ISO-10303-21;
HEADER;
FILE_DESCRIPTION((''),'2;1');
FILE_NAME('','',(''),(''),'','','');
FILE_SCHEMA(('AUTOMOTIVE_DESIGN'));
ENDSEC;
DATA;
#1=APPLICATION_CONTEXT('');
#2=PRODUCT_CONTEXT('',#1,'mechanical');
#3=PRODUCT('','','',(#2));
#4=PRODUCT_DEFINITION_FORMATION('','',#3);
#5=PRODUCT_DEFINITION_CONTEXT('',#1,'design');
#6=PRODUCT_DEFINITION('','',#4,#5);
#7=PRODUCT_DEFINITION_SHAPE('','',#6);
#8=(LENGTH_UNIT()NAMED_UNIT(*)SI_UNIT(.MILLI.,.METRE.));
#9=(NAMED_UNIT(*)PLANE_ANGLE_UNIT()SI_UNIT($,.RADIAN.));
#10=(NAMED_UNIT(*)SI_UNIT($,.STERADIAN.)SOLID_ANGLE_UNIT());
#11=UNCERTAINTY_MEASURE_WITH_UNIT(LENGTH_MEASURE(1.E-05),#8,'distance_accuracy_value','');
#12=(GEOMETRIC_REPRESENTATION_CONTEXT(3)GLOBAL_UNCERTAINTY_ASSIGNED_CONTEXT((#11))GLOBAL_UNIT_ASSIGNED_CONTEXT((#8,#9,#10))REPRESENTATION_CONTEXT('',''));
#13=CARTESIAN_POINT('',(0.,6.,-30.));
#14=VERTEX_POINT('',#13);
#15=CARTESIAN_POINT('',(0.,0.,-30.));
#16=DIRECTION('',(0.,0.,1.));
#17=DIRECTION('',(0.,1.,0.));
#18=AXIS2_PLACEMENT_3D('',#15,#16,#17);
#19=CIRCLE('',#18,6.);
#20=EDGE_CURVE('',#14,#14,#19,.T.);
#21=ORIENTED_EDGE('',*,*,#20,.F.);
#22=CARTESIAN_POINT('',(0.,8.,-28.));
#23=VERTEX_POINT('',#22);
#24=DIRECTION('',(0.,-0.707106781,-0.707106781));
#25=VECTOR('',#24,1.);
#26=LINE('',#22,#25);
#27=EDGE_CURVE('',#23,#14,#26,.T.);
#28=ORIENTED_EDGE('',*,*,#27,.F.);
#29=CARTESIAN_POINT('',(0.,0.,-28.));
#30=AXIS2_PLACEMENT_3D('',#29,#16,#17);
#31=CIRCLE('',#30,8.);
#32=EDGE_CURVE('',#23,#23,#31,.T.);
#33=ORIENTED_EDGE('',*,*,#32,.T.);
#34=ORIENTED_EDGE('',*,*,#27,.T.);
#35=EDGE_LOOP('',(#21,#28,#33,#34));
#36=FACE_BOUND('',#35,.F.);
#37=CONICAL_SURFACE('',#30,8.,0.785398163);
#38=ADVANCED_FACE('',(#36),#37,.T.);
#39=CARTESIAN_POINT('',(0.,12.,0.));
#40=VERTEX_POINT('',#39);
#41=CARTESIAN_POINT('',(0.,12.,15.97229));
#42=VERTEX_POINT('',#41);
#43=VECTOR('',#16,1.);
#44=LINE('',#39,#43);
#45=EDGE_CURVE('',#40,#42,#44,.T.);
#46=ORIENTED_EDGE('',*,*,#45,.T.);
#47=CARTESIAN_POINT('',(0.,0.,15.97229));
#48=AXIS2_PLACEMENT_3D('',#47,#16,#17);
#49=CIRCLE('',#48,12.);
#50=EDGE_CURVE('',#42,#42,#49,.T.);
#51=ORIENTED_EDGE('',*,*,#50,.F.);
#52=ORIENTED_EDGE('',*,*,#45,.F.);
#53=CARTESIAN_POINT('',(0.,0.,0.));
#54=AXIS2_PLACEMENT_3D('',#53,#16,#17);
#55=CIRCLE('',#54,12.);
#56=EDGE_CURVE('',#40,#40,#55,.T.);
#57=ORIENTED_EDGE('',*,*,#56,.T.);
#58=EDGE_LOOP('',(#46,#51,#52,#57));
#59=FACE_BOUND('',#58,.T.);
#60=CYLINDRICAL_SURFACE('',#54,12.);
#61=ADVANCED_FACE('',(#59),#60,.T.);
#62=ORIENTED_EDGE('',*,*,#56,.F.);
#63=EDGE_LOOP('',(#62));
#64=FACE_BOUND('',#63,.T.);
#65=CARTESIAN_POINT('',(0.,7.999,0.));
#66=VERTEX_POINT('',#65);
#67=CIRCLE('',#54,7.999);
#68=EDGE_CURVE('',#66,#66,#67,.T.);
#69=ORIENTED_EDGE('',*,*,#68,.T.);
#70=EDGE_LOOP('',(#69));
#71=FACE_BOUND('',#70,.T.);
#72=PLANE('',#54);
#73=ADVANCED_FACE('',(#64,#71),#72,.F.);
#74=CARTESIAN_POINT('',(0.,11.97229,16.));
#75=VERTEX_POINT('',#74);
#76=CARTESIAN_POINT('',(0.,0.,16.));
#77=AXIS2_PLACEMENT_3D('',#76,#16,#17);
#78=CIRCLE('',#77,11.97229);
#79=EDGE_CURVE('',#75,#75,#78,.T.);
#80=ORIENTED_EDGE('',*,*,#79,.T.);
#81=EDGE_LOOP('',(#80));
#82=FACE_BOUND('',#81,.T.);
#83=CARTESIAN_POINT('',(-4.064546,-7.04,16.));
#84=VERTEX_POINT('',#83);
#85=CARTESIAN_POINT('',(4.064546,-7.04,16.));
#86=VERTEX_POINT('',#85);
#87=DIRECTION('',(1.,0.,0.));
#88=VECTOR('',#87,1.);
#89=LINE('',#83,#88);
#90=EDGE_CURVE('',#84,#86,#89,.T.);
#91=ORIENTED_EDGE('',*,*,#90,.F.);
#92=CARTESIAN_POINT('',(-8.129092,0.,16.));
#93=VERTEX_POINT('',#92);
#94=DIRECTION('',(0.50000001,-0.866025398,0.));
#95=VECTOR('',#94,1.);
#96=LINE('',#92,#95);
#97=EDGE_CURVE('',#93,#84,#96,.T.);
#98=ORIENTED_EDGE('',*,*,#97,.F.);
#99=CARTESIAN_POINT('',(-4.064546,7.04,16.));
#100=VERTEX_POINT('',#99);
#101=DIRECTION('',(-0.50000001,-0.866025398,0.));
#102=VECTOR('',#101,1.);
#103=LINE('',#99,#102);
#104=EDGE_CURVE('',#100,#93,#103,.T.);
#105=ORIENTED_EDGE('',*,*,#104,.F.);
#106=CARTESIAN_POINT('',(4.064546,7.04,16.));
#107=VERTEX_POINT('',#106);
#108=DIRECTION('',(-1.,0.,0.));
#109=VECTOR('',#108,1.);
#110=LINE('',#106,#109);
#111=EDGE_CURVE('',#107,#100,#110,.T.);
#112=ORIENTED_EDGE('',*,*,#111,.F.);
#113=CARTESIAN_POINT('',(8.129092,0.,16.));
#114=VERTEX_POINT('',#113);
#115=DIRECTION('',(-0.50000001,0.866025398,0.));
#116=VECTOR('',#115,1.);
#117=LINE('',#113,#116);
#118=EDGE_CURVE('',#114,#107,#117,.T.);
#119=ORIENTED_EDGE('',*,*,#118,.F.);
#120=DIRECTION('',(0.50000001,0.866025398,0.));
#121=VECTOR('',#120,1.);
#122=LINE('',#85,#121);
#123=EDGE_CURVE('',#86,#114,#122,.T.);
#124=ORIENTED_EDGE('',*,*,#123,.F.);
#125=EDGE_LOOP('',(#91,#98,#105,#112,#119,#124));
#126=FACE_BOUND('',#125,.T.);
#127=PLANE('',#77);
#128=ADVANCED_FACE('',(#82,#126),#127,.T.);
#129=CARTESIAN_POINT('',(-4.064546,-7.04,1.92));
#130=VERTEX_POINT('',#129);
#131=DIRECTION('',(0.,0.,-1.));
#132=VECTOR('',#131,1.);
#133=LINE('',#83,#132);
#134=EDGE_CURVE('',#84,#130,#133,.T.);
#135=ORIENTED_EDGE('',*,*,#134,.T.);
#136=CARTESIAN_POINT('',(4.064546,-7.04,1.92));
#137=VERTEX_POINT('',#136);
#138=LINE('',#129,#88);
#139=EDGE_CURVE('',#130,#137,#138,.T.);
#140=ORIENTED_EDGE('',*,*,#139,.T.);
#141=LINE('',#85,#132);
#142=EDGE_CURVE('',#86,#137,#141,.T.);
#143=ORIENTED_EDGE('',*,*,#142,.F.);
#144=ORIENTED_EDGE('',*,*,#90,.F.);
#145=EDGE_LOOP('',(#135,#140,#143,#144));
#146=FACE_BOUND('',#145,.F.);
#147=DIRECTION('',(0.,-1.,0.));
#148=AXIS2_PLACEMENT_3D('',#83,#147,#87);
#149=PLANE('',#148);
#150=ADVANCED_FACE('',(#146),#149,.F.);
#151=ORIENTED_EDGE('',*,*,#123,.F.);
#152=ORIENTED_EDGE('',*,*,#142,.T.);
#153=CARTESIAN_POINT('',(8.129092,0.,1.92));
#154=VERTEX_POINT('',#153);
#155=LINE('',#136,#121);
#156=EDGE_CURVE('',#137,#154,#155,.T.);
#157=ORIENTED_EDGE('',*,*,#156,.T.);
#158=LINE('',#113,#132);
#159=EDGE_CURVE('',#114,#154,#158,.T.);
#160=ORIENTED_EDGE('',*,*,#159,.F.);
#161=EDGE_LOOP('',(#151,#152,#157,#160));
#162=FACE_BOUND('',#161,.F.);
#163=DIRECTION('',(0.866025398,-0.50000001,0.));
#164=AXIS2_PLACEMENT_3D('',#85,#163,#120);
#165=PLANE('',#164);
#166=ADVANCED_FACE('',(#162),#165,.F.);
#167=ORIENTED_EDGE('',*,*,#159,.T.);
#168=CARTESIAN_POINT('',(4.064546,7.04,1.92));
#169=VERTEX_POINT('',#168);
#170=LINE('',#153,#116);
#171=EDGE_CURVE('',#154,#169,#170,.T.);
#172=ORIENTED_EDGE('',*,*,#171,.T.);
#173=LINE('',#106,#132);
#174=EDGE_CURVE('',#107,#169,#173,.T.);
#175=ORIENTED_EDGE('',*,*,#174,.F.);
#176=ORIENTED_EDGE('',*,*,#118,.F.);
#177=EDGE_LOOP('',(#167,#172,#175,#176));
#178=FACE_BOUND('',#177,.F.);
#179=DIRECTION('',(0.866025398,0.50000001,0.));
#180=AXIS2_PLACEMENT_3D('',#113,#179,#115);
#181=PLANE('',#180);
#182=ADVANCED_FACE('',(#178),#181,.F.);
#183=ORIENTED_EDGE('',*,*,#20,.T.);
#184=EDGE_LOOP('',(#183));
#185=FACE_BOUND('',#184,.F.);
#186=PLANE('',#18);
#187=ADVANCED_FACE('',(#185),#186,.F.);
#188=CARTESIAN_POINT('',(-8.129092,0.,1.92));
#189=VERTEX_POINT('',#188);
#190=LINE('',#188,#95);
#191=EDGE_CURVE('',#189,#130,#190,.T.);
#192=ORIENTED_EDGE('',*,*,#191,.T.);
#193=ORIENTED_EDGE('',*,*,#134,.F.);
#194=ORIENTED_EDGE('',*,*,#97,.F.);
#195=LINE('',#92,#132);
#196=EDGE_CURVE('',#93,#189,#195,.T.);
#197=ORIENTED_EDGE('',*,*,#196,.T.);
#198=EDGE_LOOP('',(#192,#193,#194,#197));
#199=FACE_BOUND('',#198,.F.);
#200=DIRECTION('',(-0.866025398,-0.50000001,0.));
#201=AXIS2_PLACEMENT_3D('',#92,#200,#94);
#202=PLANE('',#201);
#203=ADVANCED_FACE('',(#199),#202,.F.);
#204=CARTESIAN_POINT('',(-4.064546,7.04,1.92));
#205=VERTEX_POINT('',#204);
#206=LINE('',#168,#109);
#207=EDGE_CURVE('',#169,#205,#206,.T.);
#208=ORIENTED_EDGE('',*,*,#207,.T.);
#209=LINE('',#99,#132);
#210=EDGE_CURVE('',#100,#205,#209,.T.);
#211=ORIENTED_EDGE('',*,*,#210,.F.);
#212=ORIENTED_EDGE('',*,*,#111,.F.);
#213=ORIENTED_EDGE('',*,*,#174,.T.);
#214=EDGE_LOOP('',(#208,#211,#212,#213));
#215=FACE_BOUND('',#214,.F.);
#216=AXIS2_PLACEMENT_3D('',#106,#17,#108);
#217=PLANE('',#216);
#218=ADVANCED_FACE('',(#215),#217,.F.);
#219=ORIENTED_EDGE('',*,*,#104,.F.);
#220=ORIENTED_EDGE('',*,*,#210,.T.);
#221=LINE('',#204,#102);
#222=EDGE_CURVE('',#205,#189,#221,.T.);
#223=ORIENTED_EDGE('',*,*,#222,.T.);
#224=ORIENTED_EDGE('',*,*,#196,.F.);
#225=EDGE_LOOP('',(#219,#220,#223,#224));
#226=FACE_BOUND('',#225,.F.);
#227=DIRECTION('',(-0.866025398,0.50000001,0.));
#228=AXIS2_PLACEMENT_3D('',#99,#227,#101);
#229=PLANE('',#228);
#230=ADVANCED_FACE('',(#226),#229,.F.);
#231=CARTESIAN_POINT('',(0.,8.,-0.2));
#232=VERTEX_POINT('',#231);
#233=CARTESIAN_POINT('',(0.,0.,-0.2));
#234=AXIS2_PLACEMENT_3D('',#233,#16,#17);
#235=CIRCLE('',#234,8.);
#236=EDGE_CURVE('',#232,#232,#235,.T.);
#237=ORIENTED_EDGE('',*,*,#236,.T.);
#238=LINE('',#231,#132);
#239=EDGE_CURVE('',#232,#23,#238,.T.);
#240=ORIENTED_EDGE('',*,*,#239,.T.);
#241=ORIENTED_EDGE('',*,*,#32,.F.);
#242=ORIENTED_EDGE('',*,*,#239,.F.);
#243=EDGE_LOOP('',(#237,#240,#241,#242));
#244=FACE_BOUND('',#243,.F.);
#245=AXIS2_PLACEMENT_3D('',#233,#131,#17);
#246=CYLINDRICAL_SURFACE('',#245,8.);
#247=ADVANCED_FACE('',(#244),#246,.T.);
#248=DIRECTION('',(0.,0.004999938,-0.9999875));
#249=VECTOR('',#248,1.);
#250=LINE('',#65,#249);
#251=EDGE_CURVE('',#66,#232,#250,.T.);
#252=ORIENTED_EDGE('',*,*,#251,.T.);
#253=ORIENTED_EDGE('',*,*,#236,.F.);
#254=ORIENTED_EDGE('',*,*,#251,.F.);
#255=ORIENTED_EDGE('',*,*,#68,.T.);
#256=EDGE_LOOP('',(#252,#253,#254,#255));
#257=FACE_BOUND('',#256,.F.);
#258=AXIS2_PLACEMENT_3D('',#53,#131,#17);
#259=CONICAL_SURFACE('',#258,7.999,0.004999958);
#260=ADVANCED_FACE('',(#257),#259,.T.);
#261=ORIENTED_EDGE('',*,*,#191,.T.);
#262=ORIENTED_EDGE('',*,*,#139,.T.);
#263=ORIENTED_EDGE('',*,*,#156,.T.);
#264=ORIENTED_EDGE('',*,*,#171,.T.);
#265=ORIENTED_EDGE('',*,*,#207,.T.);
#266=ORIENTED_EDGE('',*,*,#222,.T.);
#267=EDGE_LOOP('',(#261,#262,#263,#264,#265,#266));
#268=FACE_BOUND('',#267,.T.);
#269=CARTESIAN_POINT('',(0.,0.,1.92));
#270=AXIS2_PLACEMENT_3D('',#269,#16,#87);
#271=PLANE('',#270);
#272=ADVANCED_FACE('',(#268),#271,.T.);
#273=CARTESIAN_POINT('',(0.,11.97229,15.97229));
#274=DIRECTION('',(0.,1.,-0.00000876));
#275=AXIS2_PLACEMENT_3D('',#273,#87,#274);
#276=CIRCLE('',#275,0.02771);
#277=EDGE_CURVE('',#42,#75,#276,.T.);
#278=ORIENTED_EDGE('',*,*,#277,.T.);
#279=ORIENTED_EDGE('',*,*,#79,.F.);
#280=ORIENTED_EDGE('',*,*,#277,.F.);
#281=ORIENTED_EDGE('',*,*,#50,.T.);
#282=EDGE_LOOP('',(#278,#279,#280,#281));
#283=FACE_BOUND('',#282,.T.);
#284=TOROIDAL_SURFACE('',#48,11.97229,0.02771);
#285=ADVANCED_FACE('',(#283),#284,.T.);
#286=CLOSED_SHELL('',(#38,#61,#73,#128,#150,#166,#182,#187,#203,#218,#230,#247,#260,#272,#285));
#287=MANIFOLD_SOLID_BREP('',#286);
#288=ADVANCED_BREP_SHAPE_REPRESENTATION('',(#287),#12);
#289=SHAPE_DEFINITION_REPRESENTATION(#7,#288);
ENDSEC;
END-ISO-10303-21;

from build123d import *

# Parameters (mm, degrees)
POCKET_DEPTH = 14.08


with BuildPart() as part:
    # Sketch → Revolve (revolve)
    with BuildSketch(Plane.YZ):
        with BuildLine():
            Line((7.999, 0), (12, 0))
            Line((12, 0), (12, 15.97229))
            ThreePointArc((12, 15.97229), (11.991884, 15.991884), (11.97229, 16))
            Line((11.97229, 16), (0, 16))
            Line((0, -30), (0, 16))
            Line((6, -30), (0, -30))
            Line((8, -28), (6, -30))
            Line((8, -0.2), (8, -28))
            Line((7.999, 0), (8, -0.2))
        make_face()
    revolve(axis=Axis((0, 0, 0), (0, 0, 1)))

    # Sketch001 → Pocket (cut)
    with BuildSketch(Plane.XY.offset(16)):
        Polygon((8.129092, 0), (4.064546, 7.04), (-4.064546, 7.04), (-8.129092, 0), (-4.064546, -7.04), (4.064546, -7.04), align=None)
    extrude(amount=-POCKET_DEPTH, mode=Mode.SUBTRACT)


solid = part.part
